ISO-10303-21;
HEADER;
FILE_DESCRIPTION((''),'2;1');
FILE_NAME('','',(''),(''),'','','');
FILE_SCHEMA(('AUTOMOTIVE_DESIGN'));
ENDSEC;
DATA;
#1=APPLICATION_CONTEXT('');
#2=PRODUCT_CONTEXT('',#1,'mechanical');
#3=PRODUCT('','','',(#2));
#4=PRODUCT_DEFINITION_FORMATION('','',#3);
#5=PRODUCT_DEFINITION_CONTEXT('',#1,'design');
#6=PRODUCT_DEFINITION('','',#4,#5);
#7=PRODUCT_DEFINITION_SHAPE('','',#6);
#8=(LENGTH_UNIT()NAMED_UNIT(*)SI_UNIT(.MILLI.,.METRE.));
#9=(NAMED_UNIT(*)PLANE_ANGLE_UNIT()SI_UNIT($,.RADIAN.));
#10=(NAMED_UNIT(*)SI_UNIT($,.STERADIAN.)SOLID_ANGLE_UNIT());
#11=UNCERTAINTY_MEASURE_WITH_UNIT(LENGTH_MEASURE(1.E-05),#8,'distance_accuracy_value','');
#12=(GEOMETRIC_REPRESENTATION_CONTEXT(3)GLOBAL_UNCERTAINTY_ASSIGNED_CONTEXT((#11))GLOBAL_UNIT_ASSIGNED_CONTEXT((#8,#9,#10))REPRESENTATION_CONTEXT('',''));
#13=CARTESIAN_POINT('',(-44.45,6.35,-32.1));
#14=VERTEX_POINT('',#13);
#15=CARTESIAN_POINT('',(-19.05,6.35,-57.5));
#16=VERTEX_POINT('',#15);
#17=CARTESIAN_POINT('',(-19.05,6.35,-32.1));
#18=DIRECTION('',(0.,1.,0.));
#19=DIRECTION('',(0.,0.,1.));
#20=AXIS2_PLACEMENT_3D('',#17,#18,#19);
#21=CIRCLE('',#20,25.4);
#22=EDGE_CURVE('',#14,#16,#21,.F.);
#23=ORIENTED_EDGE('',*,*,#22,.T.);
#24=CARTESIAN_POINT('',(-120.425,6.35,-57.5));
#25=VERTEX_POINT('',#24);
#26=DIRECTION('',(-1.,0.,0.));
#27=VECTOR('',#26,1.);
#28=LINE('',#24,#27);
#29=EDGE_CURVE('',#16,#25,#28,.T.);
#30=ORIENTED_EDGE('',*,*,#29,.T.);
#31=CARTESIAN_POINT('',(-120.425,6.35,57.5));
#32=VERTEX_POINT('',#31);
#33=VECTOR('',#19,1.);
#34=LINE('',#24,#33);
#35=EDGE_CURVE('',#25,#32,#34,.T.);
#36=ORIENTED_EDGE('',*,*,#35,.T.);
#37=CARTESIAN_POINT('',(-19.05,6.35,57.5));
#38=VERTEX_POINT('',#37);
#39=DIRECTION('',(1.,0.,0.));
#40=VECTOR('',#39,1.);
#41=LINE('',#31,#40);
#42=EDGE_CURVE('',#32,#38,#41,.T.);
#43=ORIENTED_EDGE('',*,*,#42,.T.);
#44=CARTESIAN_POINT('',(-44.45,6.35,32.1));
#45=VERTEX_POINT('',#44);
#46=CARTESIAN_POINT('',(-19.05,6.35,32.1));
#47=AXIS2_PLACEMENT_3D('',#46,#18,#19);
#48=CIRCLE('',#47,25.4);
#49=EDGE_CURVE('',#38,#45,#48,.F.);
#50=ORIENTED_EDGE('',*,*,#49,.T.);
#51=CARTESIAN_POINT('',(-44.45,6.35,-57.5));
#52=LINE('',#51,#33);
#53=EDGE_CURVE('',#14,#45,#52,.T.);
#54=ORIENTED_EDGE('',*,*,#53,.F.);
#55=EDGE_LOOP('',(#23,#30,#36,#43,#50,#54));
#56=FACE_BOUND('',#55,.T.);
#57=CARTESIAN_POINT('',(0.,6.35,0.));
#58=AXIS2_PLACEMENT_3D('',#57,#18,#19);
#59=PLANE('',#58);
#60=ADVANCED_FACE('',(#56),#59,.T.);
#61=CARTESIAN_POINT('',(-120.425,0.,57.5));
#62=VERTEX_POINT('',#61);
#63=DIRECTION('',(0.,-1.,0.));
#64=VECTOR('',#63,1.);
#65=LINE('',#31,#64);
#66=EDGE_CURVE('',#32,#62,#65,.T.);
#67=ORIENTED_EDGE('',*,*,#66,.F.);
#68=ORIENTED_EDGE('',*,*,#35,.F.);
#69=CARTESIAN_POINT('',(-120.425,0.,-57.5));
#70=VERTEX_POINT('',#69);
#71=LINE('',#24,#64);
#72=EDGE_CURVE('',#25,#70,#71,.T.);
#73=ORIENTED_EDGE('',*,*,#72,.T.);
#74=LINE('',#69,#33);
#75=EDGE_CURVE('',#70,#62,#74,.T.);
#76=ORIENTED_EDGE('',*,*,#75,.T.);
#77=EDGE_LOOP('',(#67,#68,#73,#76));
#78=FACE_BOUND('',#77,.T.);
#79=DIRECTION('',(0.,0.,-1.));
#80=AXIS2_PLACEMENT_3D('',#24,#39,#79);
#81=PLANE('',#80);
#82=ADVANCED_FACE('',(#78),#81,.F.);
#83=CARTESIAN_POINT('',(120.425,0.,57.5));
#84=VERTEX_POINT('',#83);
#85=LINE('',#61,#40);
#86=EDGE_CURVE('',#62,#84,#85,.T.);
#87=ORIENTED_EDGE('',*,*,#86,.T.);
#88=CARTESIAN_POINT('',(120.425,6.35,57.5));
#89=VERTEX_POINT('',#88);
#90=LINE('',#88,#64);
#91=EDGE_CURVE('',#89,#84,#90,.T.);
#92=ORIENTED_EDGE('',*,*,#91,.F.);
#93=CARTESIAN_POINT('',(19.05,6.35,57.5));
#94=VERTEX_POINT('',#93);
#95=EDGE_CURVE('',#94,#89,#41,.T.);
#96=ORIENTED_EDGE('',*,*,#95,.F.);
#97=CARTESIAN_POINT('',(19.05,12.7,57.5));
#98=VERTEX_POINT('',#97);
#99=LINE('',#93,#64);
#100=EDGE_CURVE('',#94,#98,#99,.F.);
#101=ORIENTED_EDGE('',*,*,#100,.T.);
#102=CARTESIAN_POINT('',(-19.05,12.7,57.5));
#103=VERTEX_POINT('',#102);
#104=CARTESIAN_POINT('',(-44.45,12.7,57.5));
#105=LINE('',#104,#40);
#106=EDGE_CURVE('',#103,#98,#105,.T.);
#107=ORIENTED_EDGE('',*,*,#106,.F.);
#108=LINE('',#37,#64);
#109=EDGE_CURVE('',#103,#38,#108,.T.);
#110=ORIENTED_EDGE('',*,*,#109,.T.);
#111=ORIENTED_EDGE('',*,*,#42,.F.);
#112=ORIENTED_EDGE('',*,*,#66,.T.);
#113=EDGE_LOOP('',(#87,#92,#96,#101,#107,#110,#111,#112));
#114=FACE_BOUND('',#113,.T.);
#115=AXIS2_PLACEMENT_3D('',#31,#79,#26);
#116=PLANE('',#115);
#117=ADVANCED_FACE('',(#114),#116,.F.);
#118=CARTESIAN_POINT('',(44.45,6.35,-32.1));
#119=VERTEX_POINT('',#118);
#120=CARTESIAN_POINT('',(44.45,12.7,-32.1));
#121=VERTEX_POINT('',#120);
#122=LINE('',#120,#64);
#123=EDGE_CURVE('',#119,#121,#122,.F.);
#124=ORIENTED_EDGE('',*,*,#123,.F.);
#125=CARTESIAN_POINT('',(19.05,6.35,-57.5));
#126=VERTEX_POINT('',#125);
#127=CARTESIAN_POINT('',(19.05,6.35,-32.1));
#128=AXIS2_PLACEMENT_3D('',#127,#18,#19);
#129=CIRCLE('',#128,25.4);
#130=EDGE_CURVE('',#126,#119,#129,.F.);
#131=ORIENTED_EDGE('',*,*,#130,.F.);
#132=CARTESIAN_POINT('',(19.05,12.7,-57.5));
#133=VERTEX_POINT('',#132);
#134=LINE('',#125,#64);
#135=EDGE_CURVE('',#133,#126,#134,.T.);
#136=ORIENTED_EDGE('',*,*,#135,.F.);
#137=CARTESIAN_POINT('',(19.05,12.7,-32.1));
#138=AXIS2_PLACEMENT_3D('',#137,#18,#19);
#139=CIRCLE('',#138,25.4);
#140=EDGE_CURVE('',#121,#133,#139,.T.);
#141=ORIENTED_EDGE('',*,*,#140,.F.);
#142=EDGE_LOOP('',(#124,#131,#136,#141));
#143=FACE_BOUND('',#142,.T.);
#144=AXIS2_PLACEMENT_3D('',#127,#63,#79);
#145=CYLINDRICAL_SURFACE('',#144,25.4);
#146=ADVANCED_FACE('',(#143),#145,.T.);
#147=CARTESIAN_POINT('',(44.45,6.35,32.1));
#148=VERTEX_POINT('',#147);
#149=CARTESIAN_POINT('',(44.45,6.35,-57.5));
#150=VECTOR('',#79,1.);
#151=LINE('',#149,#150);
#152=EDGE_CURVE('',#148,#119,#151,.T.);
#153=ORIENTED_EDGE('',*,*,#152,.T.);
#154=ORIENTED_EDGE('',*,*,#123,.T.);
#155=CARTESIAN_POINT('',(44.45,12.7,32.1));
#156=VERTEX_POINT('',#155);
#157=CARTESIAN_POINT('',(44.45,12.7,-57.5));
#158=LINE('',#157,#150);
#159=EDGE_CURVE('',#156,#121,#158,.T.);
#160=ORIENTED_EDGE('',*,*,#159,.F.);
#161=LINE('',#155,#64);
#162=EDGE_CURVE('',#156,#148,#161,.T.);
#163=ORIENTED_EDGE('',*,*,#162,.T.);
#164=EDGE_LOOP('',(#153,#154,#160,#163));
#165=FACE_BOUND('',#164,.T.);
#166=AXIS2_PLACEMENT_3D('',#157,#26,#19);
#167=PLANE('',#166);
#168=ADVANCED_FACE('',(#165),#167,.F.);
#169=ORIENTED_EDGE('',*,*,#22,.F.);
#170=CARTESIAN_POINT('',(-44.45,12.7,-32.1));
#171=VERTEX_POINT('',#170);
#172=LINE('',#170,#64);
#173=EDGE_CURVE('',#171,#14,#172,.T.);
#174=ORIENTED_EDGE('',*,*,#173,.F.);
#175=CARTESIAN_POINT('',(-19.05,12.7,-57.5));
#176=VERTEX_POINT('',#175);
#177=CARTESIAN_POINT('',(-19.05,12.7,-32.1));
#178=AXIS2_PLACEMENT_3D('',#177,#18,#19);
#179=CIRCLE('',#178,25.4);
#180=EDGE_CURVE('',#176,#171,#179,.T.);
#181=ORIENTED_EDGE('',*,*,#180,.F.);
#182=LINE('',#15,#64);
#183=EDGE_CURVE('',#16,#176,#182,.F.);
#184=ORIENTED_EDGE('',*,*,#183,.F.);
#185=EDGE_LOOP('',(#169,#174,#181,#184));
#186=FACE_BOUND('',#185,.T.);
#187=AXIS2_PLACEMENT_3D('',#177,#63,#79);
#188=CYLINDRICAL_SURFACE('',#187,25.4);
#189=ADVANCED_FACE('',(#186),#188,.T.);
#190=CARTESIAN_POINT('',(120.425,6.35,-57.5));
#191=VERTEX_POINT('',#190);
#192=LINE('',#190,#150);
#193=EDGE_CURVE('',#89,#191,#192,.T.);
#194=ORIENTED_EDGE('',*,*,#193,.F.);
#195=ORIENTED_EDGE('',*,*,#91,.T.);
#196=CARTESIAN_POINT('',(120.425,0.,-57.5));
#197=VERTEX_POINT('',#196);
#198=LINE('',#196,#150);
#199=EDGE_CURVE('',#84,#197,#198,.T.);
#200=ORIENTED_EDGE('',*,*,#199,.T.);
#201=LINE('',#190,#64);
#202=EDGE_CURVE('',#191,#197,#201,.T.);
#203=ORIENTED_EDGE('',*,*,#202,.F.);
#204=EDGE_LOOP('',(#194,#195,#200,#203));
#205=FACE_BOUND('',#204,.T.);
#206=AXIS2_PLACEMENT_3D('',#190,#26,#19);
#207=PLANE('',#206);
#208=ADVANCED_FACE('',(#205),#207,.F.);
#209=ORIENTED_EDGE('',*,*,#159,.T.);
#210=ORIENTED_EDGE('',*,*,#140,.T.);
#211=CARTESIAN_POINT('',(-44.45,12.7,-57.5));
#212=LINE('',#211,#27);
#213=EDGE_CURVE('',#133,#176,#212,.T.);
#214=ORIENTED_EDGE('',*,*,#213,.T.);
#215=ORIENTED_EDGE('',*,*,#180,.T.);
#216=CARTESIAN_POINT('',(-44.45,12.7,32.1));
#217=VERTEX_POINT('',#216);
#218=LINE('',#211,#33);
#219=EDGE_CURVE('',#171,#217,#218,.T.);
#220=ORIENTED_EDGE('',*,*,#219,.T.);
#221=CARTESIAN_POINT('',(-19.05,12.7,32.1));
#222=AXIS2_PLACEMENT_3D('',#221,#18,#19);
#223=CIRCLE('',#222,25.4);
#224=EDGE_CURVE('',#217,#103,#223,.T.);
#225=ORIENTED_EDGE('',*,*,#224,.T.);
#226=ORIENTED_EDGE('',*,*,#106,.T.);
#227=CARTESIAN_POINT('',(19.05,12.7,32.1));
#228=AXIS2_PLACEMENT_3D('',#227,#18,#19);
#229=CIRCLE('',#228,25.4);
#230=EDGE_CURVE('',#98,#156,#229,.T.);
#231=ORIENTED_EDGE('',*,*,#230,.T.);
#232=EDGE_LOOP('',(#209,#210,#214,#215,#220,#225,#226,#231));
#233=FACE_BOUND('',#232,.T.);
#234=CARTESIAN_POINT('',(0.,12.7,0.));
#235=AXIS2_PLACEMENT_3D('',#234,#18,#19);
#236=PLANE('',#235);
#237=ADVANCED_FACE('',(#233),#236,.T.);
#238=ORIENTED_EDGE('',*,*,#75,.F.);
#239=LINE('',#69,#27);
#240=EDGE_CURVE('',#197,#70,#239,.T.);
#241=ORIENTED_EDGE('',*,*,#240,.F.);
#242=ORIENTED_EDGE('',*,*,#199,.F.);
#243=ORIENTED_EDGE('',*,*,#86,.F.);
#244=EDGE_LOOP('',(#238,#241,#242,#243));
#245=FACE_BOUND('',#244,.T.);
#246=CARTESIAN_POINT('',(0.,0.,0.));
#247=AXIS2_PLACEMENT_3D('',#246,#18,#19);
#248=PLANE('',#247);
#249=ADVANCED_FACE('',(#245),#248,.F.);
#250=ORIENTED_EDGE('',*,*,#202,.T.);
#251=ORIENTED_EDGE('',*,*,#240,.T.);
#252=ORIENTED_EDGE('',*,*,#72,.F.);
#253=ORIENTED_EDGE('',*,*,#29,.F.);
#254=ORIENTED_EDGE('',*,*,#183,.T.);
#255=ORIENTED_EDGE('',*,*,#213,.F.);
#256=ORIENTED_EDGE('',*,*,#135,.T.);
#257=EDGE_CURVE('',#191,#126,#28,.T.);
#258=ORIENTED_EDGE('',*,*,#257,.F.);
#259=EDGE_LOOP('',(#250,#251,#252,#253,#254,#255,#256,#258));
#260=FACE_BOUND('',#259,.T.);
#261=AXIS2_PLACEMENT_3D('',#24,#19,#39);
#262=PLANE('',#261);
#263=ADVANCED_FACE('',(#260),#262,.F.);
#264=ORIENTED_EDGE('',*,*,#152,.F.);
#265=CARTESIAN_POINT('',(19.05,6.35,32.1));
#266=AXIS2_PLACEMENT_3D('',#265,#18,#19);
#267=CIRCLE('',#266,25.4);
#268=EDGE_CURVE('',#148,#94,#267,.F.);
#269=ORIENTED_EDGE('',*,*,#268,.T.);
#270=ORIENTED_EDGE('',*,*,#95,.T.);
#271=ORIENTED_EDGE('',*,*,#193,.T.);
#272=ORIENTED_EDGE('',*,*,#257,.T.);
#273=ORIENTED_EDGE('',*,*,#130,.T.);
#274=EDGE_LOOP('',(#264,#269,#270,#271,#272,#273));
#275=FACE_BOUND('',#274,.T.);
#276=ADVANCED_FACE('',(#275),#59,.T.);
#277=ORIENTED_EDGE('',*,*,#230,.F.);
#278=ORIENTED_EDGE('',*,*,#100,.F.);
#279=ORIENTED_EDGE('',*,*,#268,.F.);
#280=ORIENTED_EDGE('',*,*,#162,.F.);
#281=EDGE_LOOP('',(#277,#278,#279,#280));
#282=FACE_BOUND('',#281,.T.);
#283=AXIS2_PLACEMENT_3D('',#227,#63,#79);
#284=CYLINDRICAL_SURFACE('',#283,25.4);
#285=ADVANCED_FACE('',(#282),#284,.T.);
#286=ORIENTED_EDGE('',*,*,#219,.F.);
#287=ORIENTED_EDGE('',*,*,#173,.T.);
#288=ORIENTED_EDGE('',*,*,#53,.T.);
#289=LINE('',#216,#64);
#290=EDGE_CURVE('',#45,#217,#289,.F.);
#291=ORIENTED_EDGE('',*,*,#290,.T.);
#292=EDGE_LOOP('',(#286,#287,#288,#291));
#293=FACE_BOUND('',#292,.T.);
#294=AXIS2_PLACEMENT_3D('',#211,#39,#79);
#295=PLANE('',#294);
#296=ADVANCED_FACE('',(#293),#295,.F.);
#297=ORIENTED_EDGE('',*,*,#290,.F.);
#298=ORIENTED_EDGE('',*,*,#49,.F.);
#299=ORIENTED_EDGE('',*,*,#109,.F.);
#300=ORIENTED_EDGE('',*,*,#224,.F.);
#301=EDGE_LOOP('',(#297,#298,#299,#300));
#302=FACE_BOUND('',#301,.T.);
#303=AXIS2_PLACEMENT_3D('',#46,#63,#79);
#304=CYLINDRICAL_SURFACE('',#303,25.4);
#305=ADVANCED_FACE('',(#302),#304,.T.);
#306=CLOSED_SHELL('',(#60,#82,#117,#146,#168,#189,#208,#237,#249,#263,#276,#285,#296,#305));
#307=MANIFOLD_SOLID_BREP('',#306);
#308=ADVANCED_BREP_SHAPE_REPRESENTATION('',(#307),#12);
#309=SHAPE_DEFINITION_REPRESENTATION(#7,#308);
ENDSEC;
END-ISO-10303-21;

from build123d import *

# Parameters (mm, degrees)
SKETCH1_W           = 240.85
SKETCH1_H           = 115
BOSS_EXTRUDE1_DEPTH = 6.35
SKETCH2_W           = 88.9
SKETCH2_H           = 115
BOSS_EXTRUDE2_DEPTH = 6.35
FILLET1_R           = 25.4


with BuildPart() as part:
    # Sketch1 → Boss-Extrude1 (new body)
    with BuildSketch(Plane(origin=(0, 0, 0), x_dir=(1, 0, 0), z_dir=(0, 1, 0))):
        Rectangle(SKETCH1_W, SKETCH1_H)
    extrude(amount=BOSS_EXTRUDE1_DEPTH)

    # Sketch2 → Boss-Extrude2 (add)
    with BuildSketch(Plane(origin=(0, 6.35, 0), x_dir=(1, 0, 0), z_dir=(0, 1, 0))):
        Rectangle(SKETCH2_W, SKETCH2_H)
    extrude(amount=BOSS_EXTRUDE2_DEPTH)

    # Fillet1
    fillet1_edges = [part.edges().sort_by_distance(p)[0] for p in [
        (44.45, 9.525, 57.5),
        (44.45, 9.525, -57.5),
        (-44.45, 9.525, -57.5),
        (-44.45, 9.525, 57.5),
    ]]
    fillet(fillet1_edges, radius=FILLET1_R)


solid = part.part
